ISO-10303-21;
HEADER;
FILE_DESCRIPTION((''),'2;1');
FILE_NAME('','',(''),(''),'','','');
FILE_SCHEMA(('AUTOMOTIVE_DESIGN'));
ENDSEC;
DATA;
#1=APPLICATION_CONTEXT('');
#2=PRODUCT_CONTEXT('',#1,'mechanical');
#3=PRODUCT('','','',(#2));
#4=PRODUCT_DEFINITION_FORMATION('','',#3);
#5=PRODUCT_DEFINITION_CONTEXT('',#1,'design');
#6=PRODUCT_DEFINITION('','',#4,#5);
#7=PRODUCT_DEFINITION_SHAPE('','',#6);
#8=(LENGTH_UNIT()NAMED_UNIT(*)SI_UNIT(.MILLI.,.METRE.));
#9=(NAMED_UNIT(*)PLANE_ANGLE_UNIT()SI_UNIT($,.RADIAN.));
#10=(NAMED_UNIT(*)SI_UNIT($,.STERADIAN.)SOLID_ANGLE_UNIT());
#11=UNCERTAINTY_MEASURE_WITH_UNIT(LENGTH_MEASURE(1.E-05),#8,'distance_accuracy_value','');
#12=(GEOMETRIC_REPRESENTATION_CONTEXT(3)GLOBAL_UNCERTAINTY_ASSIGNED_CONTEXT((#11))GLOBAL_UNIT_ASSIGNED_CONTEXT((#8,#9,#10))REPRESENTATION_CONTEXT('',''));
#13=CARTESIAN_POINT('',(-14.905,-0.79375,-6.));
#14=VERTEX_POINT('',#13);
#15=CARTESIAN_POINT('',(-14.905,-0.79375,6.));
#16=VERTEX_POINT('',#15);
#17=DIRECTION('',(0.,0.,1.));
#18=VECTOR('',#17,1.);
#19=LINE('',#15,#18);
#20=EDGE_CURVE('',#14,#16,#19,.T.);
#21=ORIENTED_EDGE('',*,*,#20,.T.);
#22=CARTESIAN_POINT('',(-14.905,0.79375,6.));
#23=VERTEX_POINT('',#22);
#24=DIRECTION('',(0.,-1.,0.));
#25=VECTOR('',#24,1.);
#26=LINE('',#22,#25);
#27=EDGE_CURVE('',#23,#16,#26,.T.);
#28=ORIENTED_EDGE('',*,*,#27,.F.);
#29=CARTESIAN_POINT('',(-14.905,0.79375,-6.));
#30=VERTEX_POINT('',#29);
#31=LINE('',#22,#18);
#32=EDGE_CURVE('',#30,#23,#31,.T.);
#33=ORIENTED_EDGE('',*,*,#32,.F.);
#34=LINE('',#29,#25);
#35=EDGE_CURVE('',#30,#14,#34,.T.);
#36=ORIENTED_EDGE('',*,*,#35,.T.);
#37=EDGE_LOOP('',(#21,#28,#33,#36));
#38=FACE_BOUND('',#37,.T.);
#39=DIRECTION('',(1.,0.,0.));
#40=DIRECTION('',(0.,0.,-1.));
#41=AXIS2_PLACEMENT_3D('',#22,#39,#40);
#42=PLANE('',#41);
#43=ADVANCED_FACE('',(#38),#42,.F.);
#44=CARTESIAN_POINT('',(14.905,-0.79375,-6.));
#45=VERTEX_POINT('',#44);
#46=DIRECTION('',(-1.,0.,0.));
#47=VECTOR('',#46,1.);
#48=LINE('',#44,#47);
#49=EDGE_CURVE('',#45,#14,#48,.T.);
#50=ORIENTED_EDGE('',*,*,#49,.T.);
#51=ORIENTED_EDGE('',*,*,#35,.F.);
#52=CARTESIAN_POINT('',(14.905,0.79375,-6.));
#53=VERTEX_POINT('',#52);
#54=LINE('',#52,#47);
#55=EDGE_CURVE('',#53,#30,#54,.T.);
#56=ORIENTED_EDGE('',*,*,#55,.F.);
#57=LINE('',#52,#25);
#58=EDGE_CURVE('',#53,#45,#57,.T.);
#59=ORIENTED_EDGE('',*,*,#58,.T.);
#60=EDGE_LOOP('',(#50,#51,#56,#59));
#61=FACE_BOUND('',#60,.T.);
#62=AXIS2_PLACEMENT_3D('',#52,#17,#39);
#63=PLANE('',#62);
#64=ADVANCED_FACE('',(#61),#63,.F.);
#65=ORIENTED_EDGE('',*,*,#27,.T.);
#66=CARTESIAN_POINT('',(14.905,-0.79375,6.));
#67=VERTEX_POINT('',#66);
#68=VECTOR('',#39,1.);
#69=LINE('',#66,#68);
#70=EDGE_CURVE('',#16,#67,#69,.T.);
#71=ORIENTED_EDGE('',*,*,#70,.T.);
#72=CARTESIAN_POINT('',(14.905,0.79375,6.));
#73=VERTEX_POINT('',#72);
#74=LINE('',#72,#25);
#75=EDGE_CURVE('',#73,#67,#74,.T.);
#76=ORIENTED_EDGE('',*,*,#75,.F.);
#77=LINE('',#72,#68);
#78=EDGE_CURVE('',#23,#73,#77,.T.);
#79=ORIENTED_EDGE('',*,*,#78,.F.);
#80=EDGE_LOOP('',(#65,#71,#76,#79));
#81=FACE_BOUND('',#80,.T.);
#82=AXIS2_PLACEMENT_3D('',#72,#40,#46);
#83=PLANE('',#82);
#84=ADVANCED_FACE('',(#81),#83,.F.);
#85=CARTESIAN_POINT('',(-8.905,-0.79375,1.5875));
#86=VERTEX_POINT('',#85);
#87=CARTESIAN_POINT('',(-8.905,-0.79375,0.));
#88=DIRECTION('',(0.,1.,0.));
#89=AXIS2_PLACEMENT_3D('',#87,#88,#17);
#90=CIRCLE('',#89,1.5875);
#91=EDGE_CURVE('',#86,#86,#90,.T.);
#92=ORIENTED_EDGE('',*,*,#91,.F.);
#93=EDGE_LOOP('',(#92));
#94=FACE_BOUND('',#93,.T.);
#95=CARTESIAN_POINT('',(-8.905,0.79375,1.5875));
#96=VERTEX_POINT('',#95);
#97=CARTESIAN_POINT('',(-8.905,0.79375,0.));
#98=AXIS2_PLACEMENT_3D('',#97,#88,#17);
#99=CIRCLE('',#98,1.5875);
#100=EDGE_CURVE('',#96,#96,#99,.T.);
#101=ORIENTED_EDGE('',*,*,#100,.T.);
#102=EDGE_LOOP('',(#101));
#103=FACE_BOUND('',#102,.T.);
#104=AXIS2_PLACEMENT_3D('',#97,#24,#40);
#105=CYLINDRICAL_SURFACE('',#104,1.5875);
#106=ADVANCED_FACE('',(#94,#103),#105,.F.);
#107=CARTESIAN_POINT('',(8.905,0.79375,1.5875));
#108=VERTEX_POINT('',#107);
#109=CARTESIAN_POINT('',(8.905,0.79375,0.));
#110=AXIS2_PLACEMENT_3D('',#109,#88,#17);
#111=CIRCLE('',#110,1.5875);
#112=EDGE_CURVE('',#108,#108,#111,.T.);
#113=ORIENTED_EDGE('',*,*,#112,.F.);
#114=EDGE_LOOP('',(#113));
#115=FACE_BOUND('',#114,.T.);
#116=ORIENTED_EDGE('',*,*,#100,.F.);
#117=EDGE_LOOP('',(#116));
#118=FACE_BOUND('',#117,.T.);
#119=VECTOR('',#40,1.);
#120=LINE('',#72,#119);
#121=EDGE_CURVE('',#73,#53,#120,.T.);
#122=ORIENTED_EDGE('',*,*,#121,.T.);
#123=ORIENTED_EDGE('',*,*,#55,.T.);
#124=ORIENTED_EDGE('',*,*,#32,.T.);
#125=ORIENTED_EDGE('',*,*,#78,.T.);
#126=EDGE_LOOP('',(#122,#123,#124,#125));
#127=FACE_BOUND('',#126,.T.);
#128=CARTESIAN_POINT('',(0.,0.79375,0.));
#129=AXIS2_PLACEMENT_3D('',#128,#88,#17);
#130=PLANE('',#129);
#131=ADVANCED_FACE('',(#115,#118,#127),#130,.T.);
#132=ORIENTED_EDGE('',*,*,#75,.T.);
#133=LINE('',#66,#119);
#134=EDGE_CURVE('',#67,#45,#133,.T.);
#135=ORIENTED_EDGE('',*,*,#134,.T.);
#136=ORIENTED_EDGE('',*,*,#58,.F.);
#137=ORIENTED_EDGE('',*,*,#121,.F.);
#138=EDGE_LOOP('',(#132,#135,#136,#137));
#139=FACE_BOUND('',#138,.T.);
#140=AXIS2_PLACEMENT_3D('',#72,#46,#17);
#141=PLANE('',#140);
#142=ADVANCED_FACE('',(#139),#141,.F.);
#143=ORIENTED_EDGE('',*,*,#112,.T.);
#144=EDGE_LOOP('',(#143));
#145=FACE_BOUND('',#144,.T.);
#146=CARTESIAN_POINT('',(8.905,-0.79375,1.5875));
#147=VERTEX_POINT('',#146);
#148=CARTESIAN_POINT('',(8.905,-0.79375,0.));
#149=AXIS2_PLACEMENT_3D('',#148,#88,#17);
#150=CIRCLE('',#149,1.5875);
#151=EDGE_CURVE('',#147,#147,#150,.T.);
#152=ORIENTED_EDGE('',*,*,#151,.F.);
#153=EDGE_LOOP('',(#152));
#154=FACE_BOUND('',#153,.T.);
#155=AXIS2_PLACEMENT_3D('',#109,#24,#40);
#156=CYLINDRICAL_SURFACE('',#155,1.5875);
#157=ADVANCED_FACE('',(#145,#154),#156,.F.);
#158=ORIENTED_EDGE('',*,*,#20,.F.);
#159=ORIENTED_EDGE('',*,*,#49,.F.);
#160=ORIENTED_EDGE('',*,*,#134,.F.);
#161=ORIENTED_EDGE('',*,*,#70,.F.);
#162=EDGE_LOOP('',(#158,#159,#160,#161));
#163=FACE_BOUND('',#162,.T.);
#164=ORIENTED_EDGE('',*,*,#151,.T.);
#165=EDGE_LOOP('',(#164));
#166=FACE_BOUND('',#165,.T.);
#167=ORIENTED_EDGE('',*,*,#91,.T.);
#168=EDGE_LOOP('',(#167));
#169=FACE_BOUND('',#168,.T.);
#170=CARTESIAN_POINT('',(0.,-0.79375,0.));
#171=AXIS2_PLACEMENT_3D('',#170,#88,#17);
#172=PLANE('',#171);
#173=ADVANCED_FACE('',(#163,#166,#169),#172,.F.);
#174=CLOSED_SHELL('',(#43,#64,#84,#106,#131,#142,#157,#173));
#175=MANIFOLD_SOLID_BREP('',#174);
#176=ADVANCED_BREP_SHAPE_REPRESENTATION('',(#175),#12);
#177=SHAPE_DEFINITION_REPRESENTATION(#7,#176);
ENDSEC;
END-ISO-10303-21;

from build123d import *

# Parameters (mm, degrees)
SKETCH1_W           = 29.81
SKETCH1_H           = 12
SKETCH1_R           = 1.5875
BOSS_EXTRUDE1_DEPTH = 0.79375


with BuildPart() as part:
    # Sketch1 → Boss-Extrude1 (new, symmetric)
    with BuildSketch(Plane(origin=(0, 0, 0), x_dir=(1, 0, 0), z_dir=(0, 1, 0))):
        Rectangle(SKETCH1_W, SKETCH1_H)
        with Locations(Location((-8.905, 0, 0), (0, 0, 270))):
            Circle(SKETCH1_R, mode=Mode.SUBTRACT)
        with Locations(Location((8.905, 0, 0), (0, 0, 270))):
            Circle(SKETCH1_R, mode=Mode.SUBTRACT)
    extrude(amount=BOSS_EXTRUDE1_DEPTH, both=True)


solid = part.part
